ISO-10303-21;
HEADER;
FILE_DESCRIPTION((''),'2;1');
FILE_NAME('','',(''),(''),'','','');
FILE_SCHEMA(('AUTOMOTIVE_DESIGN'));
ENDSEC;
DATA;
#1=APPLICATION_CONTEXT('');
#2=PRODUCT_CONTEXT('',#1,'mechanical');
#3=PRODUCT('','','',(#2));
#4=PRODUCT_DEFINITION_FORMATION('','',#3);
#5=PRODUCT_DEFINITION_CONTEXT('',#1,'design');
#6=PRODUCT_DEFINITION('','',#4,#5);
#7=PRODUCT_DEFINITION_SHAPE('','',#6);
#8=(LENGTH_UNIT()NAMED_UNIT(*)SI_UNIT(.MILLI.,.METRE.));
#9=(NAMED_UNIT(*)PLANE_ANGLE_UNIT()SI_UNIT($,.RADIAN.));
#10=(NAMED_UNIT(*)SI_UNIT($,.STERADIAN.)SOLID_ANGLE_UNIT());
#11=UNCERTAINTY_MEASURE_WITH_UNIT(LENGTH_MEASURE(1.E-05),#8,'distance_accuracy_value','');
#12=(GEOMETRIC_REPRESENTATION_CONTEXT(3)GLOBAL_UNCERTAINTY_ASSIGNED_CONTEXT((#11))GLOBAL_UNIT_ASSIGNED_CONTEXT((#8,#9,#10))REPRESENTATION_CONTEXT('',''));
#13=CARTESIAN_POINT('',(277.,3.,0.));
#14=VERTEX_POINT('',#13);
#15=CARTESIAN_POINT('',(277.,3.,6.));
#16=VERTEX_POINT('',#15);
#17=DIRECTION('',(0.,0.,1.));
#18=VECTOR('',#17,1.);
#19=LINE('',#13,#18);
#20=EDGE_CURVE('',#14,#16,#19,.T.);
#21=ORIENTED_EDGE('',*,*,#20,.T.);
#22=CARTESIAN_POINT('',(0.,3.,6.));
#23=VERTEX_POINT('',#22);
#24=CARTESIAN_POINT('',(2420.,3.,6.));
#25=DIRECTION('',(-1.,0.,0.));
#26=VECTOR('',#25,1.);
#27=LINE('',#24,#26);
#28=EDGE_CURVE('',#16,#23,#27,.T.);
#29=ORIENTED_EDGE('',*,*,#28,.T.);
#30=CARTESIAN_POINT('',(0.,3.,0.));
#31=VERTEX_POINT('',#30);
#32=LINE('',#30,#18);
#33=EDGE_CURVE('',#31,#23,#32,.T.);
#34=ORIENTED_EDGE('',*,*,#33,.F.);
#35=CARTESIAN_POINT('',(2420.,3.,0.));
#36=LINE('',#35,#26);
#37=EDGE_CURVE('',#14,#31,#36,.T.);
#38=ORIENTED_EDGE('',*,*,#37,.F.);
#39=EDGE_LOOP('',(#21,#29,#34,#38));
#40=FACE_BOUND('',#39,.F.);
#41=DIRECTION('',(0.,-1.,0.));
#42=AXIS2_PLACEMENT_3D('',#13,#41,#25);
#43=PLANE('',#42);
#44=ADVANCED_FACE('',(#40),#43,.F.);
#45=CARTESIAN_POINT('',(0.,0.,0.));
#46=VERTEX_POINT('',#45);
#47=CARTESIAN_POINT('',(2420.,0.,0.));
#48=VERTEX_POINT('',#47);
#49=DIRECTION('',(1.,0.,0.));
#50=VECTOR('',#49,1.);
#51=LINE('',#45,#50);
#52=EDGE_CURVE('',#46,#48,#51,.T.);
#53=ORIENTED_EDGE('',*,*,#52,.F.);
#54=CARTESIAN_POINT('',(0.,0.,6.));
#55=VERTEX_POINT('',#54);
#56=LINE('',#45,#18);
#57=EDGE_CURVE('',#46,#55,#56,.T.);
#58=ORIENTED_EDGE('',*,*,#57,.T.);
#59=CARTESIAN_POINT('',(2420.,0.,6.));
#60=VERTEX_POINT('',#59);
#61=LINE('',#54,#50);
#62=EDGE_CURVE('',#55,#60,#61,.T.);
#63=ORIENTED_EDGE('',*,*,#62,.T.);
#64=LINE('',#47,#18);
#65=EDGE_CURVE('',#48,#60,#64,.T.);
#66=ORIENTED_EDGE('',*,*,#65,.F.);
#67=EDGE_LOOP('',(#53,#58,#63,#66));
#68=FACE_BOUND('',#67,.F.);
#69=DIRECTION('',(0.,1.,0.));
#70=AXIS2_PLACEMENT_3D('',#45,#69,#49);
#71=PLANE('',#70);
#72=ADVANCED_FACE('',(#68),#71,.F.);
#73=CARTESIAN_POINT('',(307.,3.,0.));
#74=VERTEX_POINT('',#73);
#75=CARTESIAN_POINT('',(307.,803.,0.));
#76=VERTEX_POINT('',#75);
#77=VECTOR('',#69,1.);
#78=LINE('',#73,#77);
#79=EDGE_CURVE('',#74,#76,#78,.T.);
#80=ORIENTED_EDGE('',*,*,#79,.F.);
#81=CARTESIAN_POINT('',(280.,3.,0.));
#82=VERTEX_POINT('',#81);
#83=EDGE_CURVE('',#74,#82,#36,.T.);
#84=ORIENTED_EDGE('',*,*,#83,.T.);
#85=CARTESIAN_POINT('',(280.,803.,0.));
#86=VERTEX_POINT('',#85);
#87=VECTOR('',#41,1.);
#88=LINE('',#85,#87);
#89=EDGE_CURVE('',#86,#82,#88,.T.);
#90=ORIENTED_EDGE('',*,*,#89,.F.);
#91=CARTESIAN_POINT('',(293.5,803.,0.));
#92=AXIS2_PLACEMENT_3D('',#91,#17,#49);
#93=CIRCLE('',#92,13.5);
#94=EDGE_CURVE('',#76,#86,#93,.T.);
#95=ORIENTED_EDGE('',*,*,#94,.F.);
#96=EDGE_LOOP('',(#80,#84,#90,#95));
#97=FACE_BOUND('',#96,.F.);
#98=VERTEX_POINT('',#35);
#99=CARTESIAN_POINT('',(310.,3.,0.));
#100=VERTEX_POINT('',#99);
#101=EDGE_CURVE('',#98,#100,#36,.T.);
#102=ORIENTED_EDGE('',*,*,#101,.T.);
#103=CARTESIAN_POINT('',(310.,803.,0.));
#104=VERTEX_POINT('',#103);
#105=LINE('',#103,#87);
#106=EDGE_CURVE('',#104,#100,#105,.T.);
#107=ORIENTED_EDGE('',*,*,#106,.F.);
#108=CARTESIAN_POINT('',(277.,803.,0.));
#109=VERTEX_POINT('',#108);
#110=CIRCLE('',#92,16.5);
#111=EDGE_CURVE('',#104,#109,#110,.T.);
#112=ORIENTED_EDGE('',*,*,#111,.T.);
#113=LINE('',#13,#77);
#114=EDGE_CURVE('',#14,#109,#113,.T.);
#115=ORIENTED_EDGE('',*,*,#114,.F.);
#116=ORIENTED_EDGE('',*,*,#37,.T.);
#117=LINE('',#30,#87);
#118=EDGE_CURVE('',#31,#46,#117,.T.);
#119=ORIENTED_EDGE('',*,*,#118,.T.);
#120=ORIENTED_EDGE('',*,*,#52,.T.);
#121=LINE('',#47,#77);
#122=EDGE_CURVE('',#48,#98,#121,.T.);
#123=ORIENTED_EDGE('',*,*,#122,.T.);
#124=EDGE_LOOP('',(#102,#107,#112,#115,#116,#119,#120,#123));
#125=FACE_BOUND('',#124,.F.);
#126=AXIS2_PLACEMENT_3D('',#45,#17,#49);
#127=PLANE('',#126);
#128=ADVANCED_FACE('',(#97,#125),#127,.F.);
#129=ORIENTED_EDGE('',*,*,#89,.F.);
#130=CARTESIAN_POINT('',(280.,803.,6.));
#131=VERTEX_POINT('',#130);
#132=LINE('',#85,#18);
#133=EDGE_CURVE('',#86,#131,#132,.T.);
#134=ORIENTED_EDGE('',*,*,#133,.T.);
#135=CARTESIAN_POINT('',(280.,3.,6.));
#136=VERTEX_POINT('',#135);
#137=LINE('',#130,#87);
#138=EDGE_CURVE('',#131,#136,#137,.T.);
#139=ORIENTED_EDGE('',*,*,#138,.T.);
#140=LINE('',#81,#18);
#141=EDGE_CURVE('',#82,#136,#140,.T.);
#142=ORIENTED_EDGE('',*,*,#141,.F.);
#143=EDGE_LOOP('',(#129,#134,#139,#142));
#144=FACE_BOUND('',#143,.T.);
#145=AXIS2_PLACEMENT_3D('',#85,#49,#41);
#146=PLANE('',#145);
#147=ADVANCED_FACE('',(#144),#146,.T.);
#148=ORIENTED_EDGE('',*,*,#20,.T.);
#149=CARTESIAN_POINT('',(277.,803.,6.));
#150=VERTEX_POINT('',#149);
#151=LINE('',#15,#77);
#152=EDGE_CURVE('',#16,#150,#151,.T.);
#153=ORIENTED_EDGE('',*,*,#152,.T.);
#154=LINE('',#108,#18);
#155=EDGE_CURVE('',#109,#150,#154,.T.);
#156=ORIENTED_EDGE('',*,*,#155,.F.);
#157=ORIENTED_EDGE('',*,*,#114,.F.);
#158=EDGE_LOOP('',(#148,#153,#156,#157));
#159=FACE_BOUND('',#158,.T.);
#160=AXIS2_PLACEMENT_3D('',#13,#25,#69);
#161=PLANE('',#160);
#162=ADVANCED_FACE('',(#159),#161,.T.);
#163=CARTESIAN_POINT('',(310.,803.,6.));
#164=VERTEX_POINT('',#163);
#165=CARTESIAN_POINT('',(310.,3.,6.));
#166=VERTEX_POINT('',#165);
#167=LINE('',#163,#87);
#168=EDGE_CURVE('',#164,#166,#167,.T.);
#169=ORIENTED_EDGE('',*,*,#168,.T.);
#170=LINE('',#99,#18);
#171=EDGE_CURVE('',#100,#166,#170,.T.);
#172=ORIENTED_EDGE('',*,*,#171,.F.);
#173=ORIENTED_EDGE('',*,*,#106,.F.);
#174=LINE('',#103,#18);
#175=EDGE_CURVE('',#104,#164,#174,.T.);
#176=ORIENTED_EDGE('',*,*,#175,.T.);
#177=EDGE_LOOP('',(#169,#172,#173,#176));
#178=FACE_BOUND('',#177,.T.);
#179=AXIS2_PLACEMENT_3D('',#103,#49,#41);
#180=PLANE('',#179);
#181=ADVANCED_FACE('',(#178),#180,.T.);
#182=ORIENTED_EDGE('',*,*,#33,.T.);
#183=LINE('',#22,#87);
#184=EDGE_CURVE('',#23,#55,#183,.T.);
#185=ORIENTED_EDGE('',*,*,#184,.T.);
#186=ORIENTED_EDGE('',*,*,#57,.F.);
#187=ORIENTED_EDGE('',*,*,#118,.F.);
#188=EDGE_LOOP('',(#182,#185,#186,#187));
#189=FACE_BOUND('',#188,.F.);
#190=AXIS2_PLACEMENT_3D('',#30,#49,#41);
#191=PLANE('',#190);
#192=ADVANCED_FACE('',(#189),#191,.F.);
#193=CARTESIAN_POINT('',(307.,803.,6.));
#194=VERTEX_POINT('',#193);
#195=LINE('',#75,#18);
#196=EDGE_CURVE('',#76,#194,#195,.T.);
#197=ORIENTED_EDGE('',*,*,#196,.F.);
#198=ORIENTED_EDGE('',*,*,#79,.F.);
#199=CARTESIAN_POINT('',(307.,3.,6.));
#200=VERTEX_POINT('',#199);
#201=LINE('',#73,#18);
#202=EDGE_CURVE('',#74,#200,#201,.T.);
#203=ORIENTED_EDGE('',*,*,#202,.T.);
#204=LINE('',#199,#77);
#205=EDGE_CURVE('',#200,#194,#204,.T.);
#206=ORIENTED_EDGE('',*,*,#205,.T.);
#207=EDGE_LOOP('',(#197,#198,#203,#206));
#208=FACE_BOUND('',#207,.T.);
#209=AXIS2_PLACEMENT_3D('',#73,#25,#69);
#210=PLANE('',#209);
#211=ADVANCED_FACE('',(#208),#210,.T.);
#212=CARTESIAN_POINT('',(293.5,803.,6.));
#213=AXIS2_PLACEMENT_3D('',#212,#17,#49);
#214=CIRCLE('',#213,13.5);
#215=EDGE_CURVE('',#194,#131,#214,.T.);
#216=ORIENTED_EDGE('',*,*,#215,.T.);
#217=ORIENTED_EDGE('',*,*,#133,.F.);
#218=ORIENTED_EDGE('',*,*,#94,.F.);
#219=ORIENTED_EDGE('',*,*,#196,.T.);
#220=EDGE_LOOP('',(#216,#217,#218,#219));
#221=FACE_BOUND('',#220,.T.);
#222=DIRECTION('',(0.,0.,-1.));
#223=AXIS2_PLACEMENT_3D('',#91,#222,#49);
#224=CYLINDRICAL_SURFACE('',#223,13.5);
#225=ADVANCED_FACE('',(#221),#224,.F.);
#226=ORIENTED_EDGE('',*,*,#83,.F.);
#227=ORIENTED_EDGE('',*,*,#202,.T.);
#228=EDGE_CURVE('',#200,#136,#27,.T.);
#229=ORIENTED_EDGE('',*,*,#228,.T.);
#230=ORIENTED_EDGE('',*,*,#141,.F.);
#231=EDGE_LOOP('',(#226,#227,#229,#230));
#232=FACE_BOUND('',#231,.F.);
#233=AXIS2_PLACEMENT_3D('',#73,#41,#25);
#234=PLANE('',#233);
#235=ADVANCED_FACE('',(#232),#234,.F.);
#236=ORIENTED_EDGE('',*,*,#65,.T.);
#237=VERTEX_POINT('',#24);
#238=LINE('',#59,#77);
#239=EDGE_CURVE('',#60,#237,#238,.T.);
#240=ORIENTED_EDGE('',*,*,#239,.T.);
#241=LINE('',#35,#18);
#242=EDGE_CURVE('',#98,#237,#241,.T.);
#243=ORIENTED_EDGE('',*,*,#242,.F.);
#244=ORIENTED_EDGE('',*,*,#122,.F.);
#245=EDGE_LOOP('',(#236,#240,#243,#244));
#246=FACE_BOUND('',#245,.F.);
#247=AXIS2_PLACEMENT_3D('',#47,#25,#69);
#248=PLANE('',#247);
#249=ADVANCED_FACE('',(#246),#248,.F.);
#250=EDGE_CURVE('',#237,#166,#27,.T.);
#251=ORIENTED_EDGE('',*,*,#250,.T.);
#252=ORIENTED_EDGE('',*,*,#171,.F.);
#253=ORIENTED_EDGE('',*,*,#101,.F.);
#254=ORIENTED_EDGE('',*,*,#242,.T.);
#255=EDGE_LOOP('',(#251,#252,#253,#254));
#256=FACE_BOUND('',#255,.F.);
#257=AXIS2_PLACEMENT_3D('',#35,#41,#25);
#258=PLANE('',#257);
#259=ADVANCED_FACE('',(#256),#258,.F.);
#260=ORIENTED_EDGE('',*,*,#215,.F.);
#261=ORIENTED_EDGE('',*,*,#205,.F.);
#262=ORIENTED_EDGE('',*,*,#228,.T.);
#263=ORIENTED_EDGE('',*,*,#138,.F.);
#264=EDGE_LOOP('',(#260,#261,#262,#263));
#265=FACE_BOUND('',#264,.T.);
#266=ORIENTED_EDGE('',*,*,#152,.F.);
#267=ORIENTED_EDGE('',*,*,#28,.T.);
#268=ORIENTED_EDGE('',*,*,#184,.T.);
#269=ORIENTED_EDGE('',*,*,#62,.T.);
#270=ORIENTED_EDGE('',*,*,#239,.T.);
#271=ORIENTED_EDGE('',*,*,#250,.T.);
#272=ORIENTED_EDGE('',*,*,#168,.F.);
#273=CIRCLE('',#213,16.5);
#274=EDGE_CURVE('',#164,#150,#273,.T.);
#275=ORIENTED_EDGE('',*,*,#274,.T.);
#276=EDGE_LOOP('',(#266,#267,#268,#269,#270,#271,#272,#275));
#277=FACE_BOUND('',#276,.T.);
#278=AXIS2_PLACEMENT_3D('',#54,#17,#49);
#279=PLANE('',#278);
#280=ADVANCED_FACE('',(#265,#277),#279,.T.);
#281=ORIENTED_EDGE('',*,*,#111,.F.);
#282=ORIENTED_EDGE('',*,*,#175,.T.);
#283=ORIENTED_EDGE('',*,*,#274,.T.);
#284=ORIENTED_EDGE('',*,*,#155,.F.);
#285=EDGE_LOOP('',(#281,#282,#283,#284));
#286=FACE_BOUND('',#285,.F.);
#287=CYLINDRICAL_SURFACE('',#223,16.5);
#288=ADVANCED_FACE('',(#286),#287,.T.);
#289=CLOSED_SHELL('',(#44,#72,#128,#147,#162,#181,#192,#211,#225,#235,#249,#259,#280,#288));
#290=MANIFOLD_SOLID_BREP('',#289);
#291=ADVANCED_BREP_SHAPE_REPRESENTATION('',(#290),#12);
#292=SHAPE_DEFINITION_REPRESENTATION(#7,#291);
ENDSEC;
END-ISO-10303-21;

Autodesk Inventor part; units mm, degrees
ref_plane "YZ Plane" through (0, 0, 0) normal (1, 0, 0) x (0, 1, 0)
ref_plane "XZ Plane" through (0, 0, 0) normal (0, 1, 0) x (-1, 0, 0)
ref_plane "XY Plane" through (0, 0, 0) normal (0, 0, 1) x (1, 0, 0)
sketch "Sketch2" plane through (0, 0, 0) normal (0, 0, 1) x (1, 0, 0)
  line L0 (0, 0) -> (2420, 0)
  line L1 (2420, 0) -> (2420, 3)
  line L2 (2420, 3) -> (0, 3)
  line L3 (0, 3) -> (0, 0)
  line L4 (307, 3) -> (307, 803)
  line L5 (307, 803) -> (310, 803)
  line L6 (310, 803) -> (310, 3)
  line L7 (310, 803) -> (1110, 803) construction
  line L8 (277, 3) -> (277, 803)
  line L9 (277, 803) -> (280, 803)
  line L10 (280, 803) -> (280, 3)
  line L11 (310, 806) -> (310, 803)
  line L12 (310, 3) -> (307, 3)
  line L13 (277, 3) -> (280, 3)
  line L14 (277, 3) -> (280, 3)
  arc A0 (310, 803) -> (277, 803) centre (293.5, 803) ccw
  arc A1 (307, 803) -> (280, 803) centre (293.5, 803) ccw
  line L15 (277, 803) -> (280, 803)
  line L16 (307, 803) -> (310, 803)
  dimension "d16" = 2420
  dimension "d17" = 3
  dimension "d18" = 90
  dimension "d21" = 800
  dimension "d22" = 3
  dimension "d23" = 90
  dimension "d24" = 90
  dimension "d25" = 2110
  dimension "d28" = 30
extrude "Extrusion2" add sketch "Sketch2" along normal blind 6 contours L3 L2 L1 L0 | L8 L9 L10 L2 | L2 L4 L5 L6 | A0 L5 A1 L9
properties part number "BeltMain" material "Rubber"
